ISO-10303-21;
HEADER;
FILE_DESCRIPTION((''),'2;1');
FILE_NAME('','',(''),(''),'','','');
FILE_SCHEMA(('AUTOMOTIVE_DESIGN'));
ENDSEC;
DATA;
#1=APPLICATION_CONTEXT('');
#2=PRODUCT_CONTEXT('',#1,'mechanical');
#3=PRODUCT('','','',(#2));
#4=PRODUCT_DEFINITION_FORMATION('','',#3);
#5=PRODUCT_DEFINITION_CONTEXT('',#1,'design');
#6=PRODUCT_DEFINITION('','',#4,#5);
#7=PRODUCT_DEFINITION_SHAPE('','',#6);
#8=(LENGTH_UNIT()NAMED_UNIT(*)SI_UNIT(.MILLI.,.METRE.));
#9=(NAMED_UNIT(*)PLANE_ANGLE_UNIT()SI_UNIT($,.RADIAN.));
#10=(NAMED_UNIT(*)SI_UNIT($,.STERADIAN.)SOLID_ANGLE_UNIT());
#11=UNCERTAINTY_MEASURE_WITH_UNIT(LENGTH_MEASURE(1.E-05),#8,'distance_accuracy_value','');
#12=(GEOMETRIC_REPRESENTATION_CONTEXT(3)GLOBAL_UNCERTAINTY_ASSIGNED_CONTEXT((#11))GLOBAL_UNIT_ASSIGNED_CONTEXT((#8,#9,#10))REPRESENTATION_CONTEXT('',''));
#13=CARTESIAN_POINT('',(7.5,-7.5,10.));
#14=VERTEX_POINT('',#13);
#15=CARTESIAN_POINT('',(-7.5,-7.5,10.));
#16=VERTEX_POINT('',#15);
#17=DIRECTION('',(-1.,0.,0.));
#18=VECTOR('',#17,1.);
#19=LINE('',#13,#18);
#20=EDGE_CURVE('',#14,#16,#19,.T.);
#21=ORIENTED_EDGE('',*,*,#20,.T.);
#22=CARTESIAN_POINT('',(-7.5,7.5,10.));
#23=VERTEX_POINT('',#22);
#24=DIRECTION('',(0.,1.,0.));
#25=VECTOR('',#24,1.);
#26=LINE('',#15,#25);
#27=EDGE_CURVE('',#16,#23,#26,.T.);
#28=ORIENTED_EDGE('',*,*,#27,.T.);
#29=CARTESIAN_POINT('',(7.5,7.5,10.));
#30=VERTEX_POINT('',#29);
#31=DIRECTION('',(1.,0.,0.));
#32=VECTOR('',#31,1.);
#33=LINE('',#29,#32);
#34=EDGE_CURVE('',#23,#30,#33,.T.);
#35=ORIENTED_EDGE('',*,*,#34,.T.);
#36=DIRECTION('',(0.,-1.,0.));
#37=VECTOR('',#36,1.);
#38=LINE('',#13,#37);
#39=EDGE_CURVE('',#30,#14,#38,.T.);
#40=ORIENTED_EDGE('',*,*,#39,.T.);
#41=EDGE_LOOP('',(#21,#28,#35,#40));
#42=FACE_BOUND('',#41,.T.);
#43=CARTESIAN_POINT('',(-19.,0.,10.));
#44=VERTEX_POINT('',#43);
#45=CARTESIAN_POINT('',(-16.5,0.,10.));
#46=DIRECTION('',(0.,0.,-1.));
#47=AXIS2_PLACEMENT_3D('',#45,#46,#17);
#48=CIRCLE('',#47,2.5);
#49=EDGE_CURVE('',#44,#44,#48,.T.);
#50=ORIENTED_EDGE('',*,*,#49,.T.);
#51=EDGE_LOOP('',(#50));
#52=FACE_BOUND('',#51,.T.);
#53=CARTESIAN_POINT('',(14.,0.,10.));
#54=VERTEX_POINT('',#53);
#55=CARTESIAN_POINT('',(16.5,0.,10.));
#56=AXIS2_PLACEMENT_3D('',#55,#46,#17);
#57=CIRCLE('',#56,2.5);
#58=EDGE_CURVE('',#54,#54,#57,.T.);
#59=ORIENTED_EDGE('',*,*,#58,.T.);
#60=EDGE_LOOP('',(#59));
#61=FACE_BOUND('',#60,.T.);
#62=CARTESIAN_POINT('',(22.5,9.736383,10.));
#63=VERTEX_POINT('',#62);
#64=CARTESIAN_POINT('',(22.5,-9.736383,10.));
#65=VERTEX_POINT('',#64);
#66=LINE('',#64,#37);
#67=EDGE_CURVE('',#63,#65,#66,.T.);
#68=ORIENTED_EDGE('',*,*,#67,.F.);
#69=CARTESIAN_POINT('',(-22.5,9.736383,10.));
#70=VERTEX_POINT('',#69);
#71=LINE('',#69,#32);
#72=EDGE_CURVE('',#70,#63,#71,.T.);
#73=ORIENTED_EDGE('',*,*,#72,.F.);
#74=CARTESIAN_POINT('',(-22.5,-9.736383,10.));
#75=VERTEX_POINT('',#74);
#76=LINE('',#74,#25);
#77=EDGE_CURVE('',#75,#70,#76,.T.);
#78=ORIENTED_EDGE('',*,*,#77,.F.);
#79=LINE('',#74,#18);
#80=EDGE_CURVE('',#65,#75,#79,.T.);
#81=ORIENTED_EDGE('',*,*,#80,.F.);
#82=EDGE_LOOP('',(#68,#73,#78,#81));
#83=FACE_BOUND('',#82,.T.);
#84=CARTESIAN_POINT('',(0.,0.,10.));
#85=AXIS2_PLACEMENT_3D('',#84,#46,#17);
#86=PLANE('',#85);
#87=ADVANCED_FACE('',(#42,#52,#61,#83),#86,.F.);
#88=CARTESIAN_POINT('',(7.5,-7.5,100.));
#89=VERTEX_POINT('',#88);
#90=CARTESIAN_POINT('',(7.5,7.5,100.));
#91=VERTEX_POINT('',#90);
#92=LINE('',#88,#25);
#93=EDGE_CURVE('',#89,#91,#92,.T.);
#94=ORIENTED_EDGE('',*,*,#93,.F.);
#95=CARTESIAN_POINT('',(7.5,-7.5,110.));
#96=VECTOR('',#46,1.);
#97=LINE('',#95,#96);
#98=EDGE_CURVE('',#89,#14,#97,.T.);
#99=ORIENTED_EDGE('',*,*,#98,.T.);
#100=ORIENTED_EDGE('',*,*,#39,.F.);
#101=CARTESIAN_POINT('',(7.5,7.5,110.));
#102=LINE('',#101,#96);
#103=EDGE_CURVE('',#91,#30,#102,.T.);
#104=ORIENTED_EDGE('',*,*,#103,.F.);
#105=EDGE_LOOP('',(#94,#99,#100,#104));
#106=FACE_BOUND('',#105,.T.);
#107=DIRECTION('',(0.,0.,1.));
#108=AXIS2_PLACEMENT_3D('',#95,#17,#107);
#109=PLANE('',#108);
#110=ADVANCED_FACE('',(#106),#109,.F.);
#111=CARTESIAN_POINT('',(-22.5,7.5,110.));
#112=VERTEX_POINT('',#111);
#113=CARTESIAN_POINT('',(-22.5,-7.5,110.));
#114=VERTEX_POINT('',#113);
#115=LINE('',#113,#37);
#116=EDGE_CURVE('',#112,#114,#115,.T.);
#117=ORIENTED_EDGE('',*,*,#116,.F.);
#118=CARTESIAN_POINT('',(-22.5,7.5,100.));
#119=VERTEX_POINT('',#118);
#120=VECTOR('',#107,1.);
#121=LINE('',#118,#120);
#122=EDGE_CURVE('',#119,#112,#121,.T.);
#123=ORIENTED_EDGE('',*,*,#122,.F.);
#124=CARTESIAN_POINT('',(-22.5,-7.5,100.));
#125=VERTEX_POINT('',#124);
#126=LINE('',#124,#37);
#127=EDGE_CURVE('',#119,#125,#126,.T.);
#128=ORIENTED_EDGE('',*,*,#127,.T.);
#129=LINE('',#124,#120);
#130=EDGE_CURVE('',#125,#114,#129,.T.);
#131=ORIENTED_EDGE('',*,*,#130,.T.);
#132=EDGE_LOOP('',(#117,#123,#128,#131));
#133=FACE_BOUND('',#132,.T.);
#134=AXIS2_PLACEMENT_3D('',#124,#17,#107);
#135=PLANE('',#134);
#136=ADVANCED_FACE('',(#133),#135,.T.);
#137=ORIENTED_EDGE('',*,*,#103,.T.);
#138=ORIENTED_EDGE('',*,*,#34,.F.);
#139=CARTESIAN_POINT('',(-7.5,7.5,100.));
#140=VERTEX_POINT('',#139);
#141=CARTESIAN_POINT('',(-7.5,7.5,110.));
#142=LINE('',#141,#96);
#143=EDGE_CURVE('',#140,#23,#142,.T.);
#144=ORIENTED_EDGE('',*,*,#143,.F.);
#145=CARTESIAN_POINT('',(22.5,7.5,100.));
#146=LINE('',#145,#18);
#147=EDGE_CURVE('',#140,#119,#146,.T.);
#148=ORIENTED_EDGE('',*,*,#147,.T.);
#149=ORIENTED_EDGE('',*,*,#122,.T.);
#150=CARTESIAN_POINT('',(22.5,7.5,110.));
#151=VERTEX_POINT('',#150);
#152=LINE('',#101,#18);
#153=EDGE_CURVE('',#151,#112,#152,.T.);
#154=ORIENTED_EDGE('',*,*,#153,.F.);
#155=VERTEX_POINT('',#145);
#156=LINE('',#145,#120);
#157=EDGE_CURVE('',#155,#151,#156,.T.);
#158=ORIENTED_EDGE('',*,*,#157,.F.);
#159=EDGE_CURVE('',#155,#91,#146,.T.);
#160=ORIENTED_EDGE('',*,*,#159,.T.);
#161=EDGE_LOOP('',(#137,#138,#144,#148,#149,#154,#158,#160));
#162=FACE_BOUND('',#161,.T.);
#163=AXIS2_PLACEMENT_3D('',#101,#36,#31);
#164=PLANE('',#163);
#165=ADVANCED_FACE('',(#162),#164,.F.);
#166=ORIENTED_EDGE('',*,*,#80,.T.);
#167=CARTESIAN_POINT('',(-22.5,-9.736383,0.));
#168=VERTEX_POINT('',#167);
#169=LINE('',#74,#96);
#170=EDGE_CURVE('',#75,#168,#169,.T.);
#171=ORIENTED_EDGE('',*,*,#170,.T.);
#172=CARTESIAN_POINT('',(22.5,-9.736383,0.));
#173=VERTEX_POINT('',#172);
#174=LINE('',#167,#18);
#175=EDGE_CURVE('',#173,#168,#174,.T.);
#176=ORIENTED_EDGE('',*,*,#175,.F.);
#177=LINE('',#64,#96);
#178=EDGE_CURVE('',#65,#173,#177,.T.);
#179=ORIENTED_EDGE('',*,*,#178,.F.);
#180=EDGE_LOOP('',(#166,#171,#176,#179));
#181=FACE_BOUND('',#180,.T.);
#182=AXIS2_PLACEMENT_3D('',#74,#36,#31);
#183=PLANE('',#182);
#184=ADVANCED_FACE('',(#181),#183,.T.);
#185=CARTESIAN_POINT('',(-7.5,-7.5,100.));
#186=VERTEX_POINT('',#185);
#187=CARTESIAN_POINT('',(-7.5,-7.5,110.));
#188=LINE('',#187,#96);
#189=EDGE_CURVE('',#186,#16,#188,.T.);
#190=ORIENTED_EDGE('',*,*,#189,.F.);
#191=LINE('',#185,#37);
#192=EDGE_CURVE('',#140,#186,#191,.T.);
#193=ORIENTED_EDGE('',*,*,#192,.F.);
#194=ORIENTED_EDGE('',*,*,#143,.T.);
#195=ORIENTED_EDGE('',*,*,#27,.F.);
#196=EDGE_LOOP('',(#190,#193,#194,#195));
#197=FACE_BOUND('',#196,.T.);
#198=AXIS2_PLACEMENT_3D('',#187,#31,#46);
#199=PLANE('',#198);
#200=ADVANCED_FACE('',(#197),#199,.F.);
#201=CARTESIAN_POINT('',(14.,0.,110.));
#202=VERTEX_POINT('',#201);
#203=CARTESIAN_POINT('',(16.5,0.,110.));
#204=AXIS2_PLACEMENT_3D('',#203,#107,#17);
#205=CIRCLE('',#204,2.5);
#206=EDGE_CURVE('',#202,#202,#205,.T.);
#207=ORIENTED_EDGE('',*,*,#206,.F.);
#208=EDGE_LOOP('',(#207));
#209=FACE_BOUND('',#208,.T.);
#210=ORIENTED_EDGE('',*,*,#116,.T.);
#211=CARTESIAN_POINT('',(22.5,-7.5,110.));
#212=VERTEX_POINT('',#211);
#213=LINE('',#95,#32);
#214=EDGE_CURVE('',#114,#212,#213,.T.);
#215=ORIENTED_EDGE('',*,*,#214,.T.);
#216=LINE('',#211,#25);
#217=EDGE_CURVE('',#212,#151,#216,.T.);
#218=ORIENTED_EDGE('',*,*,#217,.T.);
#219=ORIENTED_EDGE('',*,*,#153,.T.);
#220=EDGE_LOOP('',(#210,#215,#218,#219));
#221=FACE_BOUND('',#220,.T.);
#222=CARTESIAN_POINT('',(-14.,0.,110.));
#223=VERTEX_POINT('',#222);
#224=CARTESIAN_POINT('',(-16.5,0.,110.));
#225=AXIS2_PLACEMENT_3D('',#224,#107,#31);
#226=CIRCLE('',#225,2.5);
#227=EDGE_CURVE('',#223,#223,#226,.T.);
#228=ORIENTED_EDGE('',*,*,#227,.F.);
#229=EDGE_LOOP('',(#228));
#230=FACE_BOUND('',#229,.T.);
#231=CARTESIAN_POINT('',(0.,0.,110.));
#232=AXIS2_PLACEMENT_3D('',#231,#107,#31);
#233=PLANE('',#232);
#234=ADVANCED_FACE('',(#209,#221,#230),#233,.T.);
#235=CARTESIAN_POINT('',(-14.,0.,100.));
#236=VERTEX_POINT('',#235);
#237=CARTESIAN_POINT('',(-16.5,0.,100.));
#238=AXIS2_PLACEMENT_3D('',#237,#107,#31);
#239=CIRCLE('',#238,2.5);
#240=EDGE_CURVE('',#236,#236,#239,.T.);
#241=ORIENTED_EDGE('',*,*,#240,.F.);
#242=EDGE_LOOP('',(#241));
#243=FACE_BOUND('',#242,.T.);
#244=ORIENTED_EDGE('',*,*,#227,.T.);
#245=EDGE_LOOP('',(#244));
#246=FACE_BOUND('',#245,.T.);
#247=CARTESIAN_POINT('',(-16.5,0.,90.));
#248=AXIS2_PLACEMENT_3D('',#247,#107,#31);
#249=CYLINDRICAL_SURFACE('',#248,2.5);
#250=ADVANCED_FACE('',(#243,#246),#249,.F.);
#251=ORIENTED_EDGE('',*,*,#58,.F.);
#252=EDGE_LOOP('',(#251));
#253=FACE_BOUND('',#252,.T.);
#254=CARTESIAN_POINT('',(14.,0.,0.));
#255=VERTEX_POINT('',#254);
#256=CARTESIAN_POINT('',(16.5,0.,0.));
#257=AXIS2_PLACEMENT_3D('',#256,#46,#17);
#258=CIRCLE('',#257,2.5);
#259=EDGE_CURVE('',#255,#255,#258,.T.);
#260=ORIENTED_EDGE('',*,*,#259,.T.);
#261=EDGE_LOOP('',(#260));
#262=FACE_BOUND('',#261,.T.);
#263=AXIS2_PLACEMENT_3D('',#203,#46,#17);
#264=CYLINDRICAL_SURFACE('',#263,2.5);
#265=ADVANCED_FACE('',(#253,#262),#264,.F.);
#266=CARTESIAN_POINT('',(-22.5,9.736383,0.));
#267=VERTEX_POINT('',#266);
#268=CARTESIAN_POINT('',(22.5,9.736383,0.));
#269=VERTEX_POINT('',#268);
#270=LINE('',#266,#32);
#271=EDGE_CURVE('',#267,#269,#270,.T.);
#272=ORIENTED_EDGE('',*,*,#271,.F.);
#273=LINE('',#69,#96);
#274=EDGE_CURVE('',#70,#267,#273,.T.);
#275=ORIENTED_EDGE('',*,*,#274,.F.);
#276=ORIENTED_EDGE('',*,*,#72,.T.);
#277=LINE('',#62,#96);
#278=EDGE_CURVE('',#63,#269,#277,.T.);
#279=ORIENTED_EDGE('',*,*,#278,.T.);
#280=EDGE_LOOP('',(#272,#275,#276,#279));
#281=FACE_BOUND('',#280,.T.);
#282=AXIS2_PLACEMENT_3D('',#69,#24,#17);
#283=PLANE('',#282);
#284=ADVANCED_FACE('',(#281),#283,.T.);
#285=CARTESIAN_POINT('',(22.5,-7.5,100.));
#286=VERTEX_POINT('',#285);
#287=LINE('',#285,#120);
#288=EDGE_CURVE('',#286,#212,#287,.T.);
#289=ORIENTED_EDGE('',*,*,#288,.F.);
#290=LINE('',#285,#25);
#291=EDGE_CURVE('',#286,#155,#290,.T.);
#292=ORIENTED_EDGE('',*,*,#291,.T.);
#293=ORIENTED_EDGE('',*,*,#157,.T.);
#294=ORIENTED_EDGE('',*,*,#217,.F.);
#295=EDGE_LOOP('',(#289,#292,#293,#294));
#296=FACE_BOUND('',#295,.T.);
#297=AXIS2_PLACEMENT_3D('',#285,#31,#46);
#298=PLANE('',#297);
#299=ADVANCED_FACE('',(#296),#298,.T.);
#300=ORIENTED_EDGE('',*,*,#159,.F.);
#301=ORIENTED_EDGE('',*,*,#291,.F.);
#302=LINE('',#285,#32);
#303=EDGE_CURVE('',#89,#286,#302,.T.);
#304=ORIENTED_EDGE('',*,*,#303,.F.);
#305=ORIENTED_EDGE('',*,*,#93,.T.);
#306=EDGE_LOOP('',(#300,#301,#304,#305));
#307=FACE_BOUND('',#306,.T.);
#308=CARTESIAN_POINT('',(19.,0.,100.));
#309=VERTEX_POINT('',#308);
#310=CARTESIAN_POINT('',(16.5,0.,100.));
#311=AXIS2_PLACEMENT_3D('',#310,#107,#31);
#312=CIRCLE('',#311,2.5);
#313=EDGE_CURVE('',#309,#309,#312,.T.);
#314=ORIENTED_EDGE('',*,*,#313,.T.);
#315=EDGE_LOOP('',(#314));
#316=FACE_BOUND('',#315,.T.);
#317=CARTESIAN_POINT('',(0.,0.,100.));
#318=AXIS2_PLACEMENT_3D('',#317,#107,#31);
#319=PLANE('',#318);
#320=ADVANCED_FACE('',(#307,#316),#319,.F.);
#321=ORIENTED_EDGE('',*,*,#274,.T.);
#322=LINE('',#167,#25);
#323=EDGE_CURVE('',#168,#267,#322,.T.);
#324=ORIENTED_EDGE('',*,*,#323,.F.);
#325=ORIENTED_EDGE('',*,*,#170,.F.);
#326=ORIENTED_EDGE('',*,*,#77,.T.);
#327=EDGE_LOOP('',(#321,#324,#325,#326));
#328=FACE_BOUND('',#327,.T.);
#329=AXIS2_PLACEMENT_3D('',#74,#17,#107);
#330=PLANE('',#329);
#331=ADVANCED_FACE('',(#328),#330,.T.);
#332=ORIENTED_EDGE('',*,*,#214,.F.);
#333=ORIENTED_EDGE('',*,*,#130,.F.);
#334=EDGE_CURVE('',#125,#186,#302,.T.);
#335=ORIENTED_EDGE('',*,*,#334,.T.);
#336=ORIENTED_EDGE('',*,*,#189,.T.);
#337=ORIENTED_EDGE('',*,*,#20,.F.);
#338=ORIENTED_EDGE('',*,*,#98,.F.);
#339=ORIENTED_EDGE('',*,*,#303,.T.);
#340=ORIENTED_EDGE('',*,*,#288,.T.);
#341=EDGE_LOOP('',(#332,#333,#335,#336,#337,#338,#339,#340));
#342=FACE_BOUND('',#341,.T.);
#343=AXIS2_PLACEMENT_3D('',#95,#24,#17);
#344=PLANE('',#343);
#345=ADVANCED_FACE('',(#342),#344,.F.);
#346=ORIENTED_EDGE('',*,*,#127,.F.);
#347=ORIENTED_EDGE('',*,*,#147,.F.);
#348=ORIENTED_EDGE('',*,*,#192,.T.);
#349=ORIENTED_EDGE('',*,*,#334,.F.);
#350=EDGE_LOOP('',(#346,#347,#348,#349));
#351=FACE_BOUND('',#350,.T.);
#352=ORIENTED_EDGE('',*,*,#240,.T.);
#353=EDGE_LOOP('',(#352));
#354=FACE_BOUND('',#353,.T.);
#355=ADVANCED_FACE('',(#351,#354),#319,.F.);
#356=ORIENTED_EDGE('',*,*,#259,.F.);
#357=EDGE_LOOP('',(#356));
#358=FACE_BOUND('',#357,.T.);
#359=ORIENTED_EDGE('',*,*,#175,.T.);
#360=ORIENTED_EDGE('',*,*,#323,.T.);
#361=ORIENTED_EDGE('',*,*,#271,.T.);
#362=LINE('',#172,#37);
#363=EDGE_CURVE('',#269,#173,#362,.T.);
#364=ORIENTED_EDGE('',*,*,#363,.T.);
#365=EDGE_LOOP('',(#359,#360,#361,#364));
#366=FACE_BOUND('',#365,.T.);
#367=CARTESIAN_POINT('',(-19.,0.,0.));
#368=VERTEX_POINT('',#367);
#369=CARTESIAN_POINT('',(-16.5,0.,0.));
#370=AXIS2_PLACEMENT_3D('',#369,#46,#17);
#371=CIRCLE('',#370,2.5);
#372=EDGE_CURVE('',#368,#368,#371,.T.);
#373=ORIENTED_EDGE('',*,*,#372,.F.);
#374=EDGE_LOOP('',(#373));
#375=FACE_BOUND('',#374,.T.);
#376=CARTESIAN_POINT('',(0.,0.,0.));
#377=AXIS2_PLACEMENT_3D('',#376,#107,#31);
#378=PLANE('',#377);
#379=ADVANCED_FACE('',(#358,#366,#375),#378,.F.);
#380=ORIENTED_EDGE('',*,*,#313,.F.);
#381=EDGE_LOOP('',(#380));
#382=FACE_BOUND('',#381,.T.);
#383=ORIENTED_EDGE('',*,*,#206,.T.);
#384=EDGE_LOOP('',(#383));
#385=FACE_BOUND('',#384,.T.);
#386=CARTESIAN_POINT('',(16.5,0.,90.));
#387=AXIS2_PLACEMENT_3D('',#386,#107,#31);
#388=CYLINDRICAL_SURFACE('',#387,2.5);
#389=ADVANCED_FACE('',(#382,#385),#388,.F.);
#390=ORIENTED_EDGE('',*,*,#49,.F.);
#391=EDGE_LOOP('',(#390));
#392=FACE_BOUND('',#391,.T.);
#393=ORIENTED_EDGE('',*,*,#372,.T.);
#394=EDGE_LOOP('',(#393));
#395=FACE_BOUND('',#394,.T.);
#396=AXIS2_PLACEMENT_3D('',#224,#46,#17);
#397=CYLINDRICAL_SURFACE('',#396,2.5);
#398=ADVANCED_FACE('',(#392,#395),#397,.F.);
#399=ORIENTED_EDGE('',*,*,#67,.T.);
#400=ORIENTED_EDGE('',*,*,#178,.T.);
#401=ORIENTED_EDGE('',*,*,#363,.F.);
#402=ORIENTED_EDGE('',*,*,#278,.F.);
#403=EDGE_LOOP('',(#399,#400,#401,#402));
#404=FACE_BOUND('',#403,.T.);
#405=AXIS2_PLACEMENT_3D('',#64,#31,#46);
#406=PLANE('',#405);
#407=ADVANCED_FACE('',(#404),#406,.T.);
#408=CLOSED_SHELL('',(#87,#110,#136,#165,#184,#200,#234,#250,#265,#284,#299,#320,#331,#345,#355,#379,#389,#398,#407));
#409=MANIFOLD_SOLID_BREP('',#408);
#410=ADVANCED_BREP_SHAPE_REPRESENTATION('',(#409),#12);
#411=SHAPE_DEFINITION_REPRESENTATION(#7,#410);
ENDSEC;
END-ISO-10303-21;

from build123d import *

# Parameters (mm, degrees)
SKETCH_1_W          = 15
SKETCH_1_H          = 15
EXTRUDE_1_DEPTH     = 110
SKETCH_2_W          = 45
SKETCH_2_H          = 15
EXTRUDE_2_DEPTH     = 10
SKETCH_3_R          = 2.5
CUT_EXTRUDE_1_DEPTH = 20
SKETCH_5_W          = 45
SKETCH_5_H          = 19.472765692
EXTRUDE_3_DEPTH     = 10
SKETCH_6_R          = 2.5
CUT_EXTRUDE_2_DEPTH = 113.698922581


with BuildPart() as part:
    # 草图1 → 凸台-拉伸1 (new body)
    with BuildSketch(Plane.XY):
        Rectangle(SKETCH_1_W, SKETCH_1_H)
    extrude(amount=EXTRUDE_1_DEPTH)

    # 草图2 → 凸台-拉伸2 (add)
    with BuildSketch(Plane.XY.offset(110)):
        Rectangle(SKETCH_2_W, SKETCH_2_H)
    extrude(amount=-EXTRUDE_2_DEPTH)

    # 草图3 → 切除-拉伸1 (cut)
    with BuildSketch(Plane.XY.offset(110)):
        with Locations((-16.5, 0)):
            Circle(SKETCH_3_R)
        with Locations((16.5, 0)):
            Circle(SKETCH_3_R)
    extrude(amount=-CUT_EXTRUDE_1_DEPTH, mode=Mode.SUBTRACT)

    # 草图5 → 凸台-拉伸3 (add)
    with BuildSketch(Plane(origin=(0, 0, 0), x_dir=(-1, 0, 0), z_dir=(0, 0, -1))):
        Rectangle(SKETCH_5_W, SKETCH_5_H)
    extrude(amount=-EXTRUDE_3_DEPTH)

    # 草图6 → 切除-拉伸2 (cut, through all)
    with BuildSketch(Plane(origin=(0, 0, 0), x_dir=(-1, 0, 0), z_dir=(0, 0, -1))):
        with Locations(Location((-16.5, 0, 0), (0, 0, 180))):
            Circle(SKETCH_6_R)
        with Locations(Location((16.5, 0, 0), (0, 0, 180))):
            Circle(SKETCH_6_R)
    extrude(amount=-CUT_EXTRUDE_2_DEPTH, mode=Mode.SUBTRACT)


solid = part.part
